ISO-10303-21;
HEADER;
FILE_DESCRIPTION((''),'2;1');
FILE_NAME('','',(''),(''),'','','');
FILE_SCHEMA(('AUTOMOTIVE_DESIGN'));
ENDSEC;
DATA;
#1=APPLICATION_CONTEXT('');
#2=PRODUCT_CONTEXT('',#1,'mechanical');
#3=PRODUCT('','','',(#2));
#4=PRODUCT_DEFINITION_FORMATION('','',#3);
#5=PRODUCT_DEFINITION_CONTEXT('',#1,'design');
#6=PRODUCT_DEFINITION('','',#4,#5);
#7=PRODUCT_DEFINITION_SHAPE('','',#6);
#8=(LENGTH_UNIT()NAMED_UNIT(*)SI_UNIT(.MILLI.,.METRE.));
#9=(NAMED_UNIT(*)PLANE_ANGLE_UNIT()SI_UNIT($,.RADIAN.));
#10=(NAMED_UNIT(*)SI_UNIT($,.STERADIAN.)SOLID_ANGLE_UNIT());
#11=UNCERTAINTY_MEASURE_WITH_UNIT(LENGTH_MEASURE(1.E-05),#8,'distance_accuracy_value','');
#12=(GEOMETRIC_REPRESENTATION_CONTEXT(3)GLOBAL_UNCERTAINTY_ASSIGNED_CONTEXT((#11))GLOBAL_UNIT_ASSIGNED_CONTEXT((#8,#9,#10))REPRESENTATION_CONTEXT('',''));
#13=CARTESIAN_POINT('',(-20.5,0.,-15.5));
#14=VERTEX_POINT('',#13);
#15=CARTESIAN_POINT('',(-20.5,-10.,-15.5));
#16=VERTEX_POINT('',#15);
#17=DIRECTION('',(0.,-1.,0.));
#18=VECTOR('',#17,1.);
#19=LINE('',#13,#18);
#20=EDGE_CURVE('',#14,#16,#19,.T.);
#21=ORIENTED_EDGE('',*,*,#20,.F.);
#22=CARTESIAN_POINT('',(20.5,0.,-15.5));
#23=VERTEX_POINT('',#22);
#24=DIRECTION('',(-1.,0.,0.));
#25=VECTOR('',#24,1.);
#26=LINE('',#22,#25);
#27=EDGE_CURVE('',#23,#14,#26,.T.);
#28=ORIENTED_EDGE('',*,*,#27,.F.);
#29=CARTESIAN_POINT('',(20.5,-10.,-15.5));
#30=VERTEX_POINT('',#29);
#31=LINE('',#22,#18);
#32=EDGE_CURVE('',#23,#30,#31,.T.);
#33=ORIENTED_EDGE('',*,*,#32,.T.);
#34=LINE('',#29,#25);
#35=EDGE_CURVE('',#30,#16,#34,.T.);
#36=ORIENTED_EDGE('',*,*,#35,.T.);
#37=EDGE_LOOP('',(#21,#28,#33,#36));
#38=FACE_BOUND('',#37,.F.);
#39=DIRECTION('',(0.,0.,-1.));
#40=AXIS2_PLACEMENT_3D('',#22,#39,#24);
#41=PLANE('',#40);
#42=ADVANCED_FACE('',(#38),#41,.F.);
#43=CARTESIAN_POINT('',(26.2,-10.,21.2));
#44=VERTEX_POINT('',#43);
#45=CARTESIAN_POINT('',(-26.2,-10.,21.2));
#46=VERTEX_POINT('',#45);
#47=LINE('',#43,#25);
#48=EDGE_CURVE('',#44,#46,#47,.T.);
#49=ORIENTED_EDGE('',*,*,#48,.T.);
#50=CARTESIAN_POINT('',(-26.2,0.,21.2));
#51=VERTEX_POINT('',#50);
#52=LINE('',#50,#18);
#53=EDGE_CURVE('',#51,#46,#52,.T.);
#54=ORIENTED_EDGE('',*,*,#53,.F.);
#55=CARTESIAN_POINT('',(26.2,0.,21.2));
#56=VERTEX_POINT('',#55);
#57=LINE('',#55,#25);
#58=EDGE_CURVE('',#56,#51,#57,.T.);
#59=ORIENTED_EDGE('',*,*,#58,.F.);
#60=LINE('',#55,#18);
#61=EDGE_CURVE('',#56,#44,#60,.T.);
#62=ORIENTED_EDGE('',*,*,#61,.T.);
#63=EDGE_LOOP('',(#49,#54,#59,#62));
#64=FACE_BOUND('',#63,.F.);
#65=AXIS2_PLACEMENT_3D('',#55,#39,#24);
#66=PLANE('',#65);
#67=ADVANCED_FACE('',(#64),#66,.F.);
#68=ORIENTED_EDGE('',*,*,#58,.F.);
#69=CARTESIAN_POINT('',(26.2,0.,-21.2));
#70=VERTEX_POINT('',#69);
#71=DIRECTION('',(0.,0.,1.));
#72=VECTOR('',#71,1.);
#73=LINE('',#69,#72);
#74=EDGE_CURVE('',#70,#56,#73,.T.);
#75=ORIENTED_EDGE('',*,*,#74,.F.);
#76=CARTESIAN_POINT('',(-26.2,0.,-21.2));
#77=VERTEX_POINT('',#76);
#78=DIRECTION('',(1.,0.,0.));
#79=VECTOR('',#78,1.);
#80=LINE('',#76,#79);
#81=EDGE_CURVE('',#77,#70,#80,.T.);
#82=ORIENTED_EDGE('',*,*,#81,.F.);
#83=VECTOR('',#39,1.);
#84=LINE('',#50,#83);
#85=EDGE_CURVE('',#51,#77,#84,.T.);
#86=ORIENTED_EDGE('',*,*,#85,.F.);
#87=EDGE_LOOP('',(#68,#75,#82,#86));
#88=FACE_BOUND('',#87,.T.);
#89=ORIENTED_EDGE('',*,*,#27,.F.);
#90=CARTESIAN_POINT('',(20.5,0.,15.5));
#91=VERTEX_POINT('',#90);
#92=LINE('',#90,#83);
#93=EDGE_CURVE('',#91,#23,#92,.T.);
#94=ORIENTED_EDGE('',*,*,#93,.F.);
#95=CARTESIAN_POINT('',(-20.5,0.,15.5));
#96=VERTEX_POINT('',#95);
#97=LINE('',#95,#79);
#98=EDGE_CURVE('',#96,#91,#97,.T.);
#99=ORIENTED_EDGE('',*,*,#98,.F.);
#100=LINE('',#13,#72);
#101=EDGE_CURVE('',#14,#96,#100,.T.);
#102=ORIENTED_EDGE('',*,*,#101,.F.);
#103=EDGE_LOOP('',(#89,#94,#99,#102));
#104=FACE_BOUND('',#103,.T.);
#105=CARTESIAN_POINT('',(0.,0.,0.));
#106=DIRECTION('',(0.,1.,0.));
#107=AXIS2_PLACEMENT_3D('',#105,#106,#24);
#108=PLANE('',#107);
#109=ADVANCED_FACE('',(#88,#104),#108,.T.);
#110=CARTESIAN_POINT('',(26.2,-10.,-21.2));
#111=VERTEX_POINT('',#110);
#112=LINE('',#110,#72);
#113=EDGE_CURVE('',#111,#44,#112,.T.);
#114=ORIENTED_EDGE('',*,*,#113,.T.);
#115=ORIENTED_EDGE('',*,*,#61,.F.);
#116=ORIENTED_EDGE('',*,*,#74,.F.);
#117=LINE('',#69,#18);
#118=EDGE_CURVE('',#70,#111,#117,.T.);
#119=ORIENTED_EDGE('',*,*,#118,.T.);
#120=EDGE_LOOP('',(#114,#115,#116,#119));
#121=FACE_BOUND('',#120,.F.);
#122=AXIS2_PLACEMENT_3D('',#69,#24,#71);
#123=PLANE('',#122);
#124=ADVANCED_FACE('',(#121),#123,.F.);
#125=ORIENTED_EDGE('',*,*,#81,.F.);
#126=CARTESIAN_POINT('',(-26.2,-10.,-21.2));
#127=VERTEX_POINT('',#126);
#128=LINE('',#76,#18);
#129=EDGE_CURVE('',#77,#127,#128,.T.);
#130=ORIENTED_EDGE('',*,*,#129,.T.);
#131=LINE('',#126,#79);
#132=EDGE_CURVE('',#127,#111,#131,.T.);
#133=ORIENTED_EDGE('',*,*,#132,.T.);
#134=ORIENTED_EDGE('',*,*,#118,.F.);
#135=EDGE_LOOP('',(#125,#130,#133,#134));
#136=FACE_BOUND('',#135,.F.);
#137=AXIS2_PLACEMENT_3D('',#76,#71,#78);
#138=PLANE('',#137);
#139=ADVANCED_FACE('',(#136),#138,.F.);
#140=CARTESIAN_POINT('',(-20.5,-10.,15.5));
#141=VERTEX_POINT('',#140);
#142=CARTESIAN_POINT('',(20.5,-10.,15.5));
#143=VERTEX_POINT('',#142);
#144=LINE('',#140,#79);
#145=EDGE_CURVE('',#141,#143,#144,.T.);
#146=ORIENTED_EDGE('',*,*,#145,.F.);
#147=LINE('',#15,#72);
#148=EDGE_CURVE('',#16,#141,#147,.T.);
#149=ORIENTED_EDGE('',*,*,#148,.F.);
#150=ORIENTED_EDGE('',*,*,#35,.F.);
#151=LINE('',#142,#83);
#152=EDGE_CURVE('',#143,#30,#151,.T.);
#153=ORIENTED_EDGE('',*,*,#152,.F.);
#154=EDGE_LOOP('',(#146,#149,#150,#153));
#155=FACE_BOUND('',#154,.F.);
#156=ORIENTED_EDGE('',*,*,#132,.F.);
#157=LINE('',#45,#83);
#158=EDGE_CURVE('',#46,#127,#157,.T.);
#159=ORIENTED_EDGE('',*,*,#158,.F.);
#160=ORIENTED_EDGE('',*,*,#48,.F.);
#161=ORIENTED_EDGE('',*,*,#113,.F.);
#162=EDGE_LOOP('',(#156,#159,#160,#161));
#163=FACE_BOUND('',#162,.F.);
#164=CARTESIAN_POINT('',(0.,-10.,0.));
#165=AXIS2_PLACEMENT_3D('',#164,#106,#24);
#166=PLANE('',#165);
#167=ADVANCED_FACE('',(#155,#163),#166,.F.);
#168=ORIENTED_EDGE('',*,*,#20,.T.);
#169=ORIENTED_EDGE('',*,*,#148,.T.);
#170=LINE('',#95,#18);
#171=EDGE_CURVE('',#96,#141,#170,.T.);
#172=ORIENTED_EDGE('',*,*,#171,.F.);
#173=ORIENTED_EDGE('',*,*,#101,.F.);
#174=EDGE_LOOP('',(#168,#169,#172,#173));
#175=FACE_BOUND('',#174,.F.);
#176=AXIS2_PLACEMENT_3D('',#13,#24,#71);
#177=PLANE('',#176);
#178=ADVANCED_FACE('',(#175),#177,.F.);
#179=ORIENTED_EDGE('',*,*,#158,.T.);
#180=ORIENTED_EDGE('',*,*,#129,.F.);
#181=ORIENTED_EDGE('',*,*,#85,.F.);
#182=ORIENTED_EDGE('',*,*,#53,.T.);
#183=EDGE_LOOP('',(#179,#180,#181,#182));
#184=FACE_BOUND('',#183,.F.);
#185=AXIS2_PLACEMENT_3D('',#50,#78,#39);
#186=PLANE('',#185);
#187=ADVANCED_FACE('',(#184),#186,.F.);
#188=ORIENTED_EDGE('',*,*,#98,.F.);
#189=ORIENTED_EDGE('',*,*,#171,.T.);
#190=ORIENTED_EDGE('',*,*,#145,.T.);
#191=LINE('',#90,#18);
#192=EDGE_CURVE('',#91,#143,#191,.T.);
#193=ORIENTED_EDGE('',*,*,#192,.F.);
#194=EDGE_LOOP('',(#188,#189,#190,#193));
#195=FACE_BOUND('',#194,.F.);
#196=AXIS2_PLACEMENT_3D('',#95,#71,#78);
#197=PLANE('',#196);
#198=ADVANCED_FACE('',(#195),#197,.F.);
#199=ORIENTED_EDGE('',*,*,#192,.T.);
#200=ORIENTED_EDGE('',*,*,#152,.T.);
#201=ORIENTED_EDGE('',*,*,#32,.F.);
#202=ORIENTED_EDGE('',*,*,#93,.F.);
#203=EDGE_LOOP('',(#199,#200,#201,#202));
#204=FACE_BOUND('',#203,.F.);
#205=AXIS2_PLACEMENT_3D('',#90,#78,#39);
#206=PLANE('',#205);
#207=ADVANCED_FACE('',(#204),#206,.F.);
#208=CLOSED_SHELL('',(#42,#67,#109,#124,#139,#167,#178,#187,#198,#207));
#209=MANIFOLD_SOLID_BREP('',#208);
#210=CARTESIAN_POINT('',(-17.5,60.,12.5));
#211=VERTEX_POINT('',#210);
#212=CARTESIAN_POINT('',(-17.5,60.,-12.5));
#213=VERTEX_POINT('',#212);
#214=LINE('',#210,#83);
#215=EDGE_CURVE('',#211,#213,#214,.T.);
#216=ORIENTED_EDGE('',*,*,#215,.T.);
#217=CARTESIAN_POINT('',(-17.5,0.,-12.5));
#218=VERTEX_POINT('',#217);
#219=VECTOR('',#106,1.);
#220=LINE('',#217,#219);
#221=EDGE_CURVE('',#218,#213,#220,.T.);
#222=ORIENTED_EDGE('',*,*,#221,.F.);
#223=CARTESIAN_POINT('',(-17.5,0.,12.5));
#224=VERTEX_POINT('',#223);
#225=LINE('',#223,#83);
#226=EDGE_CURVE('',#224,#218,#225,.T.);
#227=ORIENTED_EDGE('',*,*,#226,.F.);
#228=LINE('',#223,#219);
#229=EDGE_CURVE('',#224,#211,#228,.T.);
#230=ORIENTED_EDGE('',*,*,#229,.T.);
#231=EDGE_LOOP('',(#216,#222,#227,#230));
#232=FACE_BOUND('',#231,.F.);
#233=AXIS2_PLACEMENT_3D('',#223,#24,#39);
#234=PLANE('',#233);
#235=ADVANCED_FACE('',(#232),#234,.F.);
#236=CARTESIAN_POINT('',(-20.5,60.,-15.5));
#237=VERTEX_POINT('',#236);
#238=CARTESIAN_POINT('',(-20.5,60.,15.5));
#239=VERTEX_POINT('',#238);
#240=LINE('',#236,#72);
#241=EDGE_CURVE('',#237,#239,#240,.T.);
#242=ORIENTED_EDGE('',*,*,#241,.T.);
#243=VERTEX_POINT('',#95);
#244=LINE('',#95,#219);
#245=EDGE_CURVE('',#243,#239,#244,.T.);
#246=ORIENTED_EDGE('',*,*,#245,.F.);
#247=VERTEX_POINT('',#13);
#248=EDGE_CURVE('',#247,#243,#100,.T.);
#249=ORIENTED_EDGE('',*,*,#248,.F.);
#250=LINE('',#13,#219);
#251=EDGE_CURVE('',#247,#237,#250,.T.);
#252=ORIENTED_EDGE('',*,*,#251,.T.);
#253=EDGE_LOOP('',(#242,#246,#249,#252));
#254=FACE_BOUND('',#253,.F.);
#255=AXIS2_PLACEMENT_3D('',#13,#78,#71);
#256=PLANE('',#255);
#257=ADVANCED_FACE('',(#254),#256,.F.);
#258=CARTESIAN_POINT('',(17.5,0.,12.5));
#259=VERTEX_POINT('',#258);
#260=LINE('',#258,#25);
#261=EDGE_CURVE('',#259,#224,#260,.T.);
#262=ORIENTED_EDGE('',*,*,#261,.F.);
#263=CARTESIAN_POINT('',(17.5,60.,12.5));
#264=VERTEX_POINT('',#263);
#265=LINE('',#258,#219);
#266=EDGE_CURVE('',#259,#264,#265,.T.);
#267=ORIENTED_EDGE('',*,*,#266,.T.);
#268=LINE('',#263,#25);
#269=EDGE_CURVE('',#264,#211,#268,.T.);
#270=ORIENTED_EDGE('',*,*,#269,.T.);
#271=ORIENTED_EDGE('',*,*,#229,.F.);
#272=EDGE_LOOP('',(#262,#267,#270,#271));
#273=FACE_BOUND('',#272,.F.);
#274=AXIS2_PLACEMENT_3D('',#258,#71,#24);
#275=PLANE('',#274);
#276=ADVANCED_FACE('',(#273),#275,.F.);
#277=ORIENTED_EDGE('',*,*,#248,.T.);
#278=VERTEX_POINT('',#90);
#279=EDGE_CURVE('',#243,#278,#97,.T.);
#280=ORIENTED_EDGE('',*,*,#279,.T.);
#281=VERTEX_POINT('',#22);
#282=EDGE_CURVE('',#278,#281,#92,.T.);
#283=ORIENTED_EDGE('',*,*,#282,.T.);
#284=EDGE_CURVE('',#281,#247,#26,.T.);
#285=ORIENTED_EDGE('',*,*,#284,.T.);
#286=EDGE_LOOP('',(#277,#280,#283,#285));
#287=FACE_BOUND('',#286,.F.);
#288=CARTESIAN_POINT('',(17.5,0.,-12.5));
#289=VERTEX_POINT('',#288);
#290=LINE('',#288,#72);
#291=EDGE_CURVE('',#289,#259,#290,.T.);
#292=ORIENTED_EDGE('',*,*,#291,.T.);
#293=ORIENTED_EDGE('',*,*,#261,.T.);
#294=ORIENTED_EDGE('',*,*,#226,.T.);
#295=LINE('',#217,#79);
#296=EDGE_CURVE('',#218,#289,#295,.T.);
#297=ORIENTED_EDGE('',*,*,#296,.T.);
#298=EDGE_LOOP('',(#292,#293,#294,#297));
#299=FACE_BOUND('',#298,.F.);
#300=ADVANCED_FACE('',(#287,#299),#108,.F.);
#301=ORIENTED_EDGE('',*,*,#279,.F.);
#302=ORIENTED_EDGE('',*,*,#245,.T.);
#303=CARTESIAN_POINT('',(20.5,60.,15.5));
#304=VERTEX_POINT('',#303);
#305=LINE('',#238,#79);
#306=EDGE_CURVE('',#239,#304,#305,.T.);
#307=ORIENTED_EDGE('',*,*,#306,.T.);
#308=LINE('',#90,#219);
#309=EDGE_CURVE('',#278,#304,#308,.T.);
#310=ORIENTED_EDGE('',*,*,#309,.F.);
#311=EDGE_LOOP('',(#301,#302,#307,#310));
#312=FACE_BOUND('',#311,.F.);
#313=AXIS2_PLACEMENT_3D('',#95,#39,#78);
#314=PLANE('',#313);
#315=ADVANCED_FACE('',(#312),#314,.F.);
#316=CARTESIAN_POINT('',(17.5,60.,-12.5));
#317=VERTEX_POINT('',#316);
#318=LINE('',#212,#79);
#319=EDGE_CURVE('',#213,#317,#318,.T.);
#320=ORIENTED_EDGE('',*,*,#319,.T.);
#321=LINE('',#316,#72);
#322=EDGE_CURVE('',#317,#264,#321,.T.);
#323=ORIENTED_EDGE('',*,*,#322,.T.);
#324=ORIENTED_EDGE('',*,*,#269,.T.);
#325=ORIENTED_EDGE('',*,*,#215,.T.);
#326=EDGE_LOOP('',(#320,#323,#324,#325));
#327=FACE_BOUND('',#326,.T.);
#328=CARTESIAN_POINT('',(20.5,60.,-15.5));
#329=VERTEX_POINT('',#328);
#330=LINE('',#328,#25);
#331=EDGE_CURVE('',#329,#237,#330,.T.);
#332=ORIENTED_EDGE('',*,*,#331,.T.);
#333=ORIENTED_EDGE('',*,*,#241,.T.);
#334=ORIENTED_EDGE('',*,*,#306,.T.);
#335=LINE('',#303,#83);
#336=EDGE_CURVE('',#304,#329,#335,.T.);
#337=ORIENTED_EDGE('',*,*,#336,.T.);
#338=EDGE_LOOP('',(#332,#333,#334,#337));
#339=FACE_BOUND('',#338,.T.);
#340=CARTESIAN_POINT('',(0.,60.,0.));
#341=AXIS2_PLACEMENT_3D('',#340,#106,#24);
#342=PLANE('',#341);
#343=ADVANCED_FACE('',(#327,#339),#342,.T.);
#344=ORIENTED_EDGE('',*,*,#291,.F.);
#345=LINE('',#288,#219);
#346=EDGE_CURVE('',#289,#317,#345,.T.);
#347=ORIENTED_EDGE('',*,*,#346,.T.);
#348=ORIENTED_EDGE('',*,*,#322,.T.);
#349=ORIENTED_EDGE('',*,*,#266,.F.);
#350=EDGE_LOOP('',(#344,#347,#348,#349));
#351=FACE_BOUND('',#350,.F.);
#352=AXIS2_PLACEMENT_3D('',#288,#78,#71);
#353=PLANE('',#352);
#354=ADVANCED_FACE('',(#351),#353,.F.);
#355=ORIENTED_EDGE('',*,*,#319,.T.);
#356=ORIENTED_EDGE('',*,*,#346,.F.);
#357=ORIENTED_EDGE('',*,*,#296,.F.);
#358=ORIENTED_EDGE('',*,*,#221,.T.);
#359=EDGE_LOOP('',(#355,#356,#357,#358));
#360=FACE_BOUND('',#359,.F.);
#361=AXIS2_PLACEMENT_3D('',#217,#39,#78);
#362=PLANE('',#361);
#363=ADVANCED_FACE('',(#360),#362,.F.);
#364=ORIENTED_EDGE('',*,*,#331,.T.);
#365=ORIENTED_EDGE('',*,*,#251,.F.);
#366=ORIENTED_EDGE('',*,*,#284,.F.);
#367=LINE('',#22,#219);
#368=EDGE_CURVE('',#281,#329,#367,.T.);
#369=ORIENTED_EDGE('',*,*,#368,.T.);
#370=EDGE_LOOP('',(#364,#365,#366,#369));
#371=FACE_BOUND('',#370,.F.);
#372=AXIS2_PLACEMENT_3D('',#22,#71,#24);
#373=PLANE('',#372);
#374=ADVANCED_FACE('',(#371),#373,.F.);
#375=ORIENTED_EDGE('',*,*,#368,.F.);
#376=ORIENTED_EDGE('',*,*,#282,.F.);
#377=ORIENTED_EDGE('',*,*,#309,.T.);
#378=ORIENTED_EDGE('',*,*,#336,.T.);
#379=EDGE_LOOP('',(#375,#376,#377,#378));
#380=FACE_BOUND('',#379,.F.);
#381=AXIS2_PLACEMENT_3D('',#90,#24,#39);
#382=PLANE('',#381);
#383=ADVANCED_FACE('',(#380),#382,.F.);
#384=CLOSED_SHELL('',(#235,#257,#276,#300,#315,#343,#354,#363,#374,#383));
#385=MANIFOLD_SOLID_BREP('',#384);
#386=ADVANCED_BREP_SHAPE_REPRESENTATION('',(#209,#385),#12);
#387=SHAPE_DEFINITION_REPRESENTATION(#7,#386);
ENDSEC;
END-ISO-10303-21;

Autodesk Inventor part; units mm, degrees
ref_plane "YZ Plane" through (0, 0, 0) normal (1, 0, 0) x (0, 1, 0)
ref_plane "XZ Plane" through (0, 0, 0) normal (0, 1, 0) x (-1, 0, 0)
ref_plane "XY Plane" through (0, 0, 0) normal (0, 0, 1) x (1, 0, 0)
sketch "Sketch1" plane through (0, 0, 0) normal (0, 1, 0) x (-1, 0, 0)
  line L0 (-17.5, 12.5) -> (17.5, 12.5)
  line L1 (17.5, 12.5) -> (17.5, -12.5)
  line L2 (17.5, -12.5) -> (-17.5, -12.5)
  line L3 (-17.5, -12.5) -> (-17.5, 12.5)
  line L4 (-17.5, 12.5) -> (17.5, -12.5) construction
  line L5 (17.5, 12.5) -> (-17.5, -12.5) construction
  line L6 (26.2, -21.2) -> (-26.2, -21.2)
  line L7 (-26.2, -21.2) -> (-26.2, 21.2)
  line L8 (-26.2, 21.2) -> (26.2, 21.2)
  line L9 (26.2, 21.2) -> (26.2, -21.2)
  line L10 (26.2, -21.2) -> (-26.2, 21.2) construction
  line L11 (-26.2, -21.2) -> (26.2, 21.2) construction
  line L12 (20.5, 15.5) -> (-20.5, 15.5)
  line L13 (-20.5, 15.5) -> (-20.5, -15.5)
  line L14 (-20.5, -15.5) -> (20.5, -15.5)
  line L15 (20.5, -15.5) -> (20.5, 15.5)
  point P0 (0, 0)
  dimension "d0" = 35
  dimension "d1" = 25
  dimension "d2" = 52.4
  dimension "d3" = 42.4
  dimension "d4" = 3
extrude "Extrusion1" add sketch "Sketch1" along normal blind 60 contours L15 L14 L13 L12
extrude "Extrusion2" add sketch "Sketch1" against normal blind 10 contours L6 L7 L8 L9
sketch "Sketch2" plane through (0, -10, 0) normal (0, -1, 0) x (1, 0, 0)
  circle A0 centre (23.5, -18.5) radius 1.5
  line L0 (20.5, 15.5) -> (20.5, -15.5) projected
  line L1 (-20.5, 15.5) -> (20.5, 15.5) projected
  line L2 (-20.5, -15.5) -> (-20.5, 15.5) projected
  line L3 (20.5, -15.5) -> (-20.5, -15.5) projected
  line L4 (17.5, 12.5) -> (-17.5, 12.5) projected
  line L5 (17.5, -12.5) -> (17.5, 12.5) projected
  line L6 (-17.5, -12.5) -> (17.5, -12.5) projected
  line L7 (-17.5, 12.5) -> (-17.5, -12.5) projected
  line L8 (-23.5, -18.5) -> (-23.5, 18.5) construction
  line L9 (-23.5, 18.5) -> (23.5, 18.5) construction
  line L10 (23.5, 18.5) -> (23.5, -18.5) construction
  line L11 (23.5, -18.5) -> (-23.5, -18.5) construction
  circle A1 centre (23.5, 18.5) radius 1.5
  circle A2 centre (-23.5, 18.5) radius 1.5
  circle A3 centre (-23.5, -18.5) radius 1.5
  point P0 (0, 0)
  dimension "d9" = 3
  dimension "d10" = 3
  dimension "d11" = 3
  dimension "d12" = 3
  dimension "d13" = 3
